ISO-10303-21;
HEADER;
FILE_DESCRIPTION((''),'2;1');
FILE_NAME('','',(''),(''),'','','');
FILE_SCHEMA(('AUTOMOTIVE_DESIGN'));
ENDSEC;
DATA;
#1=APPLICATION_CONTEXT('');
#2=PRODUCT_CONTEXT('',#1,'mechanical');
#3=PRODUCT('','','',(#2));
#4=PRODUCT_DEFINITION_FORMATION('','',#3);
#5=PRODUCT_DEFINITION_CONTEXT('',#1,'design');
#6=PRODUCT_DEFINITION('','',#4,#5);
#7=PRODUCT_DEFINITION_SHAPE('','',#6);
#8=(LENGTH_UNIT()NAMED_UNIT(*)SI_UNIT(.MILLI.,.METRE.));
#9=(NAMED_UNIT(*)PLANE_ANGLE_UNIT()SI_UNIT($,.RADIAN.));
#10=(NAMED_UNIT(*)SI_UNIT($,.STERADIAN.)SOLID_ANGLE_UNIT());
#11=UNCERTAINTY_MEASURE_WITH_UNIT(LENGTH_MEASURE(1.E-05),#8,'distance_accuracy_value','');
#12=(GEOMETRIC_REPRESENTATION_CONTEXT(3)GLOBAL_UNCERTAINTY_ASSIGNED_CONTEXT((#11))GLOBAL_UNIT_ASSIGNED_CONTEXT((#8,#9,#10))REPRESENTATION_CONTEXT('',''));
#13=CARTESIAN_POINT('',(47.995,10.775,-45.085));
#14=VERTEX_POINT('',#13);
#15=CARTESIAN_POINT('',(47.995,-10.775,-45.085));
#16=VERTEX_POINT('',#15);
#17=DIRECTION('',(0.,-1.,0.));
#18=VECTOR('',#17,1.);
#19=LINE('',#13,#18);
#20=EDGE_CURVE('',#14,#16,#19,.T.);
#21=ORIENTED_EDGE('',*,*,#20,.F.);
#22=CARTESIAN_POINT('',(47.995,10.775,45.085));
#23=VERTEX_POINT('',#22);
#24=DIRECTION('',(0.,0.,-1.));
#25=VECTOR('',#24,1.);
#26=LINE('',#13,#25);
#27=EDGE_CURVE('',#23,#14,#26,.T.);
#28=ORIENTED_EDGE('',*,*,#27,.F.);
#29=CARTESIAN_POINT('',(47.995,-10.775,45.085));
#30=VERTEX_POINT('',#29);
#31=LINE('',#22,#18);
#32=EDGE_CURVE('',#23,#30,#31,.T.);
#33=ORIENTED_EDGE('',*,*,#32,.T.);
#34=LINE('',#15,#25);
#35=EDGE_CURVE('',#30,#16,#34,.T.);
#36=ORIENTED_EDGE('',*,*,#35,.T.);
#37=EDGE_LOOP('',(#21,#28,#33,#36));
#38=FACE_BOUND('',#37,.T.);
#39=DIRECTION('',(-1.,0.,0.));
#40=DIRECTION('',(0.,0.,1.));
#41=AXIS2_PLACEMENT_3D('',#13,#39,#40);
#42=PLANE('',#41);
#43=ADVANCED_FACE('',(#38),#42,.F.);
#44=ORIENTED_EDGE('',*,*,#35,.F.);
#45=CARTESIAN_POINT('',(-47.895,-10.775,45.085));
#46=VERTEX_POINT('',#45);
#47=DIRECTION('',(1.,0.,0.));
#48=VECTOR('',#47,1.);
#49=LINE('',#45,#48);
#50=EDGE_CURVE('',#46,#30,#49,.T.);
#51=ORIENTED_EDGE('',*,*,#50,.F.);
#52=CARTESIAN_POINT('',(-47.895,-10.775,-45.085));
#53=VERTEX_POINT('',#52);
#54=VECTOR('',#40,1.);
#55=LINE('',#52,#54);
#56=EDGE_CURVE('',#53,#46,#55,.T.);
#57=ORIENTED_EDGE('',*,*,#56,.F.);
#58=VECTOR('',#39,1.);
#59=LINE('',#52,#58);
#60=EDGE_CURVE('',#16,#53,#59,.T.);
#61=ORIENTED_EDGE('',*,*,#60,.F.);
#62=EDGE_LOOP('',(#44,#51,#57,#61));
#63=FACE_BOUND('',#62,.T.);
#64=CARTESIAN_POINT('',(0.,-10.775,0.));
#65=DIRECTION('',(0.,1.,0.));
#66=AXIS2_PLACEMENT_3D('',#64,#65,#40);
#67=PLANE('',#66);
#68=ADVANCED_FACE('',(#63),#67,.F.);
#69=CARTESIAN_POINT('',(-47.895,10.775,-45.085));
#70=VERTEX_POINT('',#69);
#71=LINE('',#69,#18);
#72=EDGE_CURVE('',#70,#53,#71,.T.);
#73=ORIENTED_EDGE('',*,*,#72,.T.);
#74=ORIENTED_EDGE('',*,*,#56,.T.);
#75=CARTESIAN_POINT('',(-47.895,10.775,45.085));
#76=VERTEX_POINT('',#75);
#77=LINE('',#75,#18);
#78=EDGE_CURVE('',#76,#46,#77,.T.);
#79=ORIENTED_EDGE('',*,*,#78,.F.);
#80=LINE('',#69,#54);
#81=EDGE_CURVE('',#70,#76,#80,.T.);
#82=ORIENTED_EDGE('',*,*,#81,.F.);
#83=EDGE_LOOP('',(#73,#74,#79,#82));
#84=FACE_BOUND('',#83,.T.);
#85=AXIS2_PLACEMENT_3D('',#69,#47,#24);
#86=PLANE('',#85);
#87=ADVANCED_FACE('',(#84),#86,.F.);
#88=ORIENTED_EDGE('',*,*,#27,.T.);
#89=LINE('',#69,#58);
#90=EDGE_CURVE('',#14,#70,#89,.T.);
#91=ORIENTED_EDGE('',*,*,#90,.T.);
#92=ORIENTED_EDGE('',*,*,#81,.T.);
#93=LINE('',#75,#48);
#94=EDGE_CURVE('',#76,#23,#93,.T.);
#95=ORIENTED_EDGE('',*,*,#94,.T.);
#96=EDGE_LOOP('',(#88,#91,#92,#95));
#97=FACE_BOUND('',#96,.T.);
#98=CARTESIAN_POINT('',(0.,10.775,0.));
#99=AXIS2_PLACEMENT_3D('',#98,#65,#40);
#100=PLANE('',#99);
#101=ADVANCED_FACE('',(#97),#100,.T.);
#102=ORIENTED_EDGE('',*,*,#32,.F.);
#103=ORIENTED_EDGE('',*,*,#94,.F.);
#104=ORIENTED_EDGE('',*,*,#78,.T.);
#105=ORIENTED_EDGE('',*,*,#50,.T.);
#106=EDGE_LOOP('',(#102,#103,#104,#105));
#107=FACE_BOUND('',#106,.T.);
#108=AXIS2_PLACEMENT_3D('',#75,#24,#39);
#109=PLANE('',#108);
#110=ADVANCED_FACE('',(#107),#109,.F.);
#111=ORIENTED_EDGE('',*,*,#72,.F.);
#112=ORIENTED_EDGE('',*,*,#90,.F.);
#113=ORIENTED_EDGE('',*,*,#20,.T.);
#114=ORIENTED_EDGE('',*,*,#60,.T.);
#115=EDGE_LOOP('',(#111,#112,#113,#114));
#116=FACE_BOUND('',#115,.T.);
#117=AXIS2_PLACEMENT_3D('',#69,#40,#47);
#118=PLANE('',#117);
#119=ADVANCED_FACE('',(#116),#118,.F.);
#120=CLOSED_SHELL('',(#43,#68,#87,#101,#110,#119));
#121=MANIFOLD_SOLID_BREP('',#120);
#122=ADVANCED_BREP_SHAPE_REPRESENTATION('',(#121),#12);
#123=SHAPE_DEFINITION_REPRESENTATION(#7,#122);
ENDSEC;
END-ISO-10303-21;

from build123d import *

# Parameters (mm, degrees)
SKETCH1_W           = 95.89
SKETCH1_H           = 90.17
BOSS_EXTRUDE1_DEPTH = 10.775


with BuildPart() as part:
    # Sketch1 → Boss-Extrude1 (new body, symmetric)
    with BuildSketch(Plane(origin=(0, 0, 0), x_dir=(1, 0, 0), z_dir=(0, 1, 0))):
        with Locations((0.05, 0)):
            Rectangle(SKETCH1_W, SKETCH1_H)
    extrude(amount=BOSS_EXTRUDE1_DEPTH, both=True)


solid = part.part
